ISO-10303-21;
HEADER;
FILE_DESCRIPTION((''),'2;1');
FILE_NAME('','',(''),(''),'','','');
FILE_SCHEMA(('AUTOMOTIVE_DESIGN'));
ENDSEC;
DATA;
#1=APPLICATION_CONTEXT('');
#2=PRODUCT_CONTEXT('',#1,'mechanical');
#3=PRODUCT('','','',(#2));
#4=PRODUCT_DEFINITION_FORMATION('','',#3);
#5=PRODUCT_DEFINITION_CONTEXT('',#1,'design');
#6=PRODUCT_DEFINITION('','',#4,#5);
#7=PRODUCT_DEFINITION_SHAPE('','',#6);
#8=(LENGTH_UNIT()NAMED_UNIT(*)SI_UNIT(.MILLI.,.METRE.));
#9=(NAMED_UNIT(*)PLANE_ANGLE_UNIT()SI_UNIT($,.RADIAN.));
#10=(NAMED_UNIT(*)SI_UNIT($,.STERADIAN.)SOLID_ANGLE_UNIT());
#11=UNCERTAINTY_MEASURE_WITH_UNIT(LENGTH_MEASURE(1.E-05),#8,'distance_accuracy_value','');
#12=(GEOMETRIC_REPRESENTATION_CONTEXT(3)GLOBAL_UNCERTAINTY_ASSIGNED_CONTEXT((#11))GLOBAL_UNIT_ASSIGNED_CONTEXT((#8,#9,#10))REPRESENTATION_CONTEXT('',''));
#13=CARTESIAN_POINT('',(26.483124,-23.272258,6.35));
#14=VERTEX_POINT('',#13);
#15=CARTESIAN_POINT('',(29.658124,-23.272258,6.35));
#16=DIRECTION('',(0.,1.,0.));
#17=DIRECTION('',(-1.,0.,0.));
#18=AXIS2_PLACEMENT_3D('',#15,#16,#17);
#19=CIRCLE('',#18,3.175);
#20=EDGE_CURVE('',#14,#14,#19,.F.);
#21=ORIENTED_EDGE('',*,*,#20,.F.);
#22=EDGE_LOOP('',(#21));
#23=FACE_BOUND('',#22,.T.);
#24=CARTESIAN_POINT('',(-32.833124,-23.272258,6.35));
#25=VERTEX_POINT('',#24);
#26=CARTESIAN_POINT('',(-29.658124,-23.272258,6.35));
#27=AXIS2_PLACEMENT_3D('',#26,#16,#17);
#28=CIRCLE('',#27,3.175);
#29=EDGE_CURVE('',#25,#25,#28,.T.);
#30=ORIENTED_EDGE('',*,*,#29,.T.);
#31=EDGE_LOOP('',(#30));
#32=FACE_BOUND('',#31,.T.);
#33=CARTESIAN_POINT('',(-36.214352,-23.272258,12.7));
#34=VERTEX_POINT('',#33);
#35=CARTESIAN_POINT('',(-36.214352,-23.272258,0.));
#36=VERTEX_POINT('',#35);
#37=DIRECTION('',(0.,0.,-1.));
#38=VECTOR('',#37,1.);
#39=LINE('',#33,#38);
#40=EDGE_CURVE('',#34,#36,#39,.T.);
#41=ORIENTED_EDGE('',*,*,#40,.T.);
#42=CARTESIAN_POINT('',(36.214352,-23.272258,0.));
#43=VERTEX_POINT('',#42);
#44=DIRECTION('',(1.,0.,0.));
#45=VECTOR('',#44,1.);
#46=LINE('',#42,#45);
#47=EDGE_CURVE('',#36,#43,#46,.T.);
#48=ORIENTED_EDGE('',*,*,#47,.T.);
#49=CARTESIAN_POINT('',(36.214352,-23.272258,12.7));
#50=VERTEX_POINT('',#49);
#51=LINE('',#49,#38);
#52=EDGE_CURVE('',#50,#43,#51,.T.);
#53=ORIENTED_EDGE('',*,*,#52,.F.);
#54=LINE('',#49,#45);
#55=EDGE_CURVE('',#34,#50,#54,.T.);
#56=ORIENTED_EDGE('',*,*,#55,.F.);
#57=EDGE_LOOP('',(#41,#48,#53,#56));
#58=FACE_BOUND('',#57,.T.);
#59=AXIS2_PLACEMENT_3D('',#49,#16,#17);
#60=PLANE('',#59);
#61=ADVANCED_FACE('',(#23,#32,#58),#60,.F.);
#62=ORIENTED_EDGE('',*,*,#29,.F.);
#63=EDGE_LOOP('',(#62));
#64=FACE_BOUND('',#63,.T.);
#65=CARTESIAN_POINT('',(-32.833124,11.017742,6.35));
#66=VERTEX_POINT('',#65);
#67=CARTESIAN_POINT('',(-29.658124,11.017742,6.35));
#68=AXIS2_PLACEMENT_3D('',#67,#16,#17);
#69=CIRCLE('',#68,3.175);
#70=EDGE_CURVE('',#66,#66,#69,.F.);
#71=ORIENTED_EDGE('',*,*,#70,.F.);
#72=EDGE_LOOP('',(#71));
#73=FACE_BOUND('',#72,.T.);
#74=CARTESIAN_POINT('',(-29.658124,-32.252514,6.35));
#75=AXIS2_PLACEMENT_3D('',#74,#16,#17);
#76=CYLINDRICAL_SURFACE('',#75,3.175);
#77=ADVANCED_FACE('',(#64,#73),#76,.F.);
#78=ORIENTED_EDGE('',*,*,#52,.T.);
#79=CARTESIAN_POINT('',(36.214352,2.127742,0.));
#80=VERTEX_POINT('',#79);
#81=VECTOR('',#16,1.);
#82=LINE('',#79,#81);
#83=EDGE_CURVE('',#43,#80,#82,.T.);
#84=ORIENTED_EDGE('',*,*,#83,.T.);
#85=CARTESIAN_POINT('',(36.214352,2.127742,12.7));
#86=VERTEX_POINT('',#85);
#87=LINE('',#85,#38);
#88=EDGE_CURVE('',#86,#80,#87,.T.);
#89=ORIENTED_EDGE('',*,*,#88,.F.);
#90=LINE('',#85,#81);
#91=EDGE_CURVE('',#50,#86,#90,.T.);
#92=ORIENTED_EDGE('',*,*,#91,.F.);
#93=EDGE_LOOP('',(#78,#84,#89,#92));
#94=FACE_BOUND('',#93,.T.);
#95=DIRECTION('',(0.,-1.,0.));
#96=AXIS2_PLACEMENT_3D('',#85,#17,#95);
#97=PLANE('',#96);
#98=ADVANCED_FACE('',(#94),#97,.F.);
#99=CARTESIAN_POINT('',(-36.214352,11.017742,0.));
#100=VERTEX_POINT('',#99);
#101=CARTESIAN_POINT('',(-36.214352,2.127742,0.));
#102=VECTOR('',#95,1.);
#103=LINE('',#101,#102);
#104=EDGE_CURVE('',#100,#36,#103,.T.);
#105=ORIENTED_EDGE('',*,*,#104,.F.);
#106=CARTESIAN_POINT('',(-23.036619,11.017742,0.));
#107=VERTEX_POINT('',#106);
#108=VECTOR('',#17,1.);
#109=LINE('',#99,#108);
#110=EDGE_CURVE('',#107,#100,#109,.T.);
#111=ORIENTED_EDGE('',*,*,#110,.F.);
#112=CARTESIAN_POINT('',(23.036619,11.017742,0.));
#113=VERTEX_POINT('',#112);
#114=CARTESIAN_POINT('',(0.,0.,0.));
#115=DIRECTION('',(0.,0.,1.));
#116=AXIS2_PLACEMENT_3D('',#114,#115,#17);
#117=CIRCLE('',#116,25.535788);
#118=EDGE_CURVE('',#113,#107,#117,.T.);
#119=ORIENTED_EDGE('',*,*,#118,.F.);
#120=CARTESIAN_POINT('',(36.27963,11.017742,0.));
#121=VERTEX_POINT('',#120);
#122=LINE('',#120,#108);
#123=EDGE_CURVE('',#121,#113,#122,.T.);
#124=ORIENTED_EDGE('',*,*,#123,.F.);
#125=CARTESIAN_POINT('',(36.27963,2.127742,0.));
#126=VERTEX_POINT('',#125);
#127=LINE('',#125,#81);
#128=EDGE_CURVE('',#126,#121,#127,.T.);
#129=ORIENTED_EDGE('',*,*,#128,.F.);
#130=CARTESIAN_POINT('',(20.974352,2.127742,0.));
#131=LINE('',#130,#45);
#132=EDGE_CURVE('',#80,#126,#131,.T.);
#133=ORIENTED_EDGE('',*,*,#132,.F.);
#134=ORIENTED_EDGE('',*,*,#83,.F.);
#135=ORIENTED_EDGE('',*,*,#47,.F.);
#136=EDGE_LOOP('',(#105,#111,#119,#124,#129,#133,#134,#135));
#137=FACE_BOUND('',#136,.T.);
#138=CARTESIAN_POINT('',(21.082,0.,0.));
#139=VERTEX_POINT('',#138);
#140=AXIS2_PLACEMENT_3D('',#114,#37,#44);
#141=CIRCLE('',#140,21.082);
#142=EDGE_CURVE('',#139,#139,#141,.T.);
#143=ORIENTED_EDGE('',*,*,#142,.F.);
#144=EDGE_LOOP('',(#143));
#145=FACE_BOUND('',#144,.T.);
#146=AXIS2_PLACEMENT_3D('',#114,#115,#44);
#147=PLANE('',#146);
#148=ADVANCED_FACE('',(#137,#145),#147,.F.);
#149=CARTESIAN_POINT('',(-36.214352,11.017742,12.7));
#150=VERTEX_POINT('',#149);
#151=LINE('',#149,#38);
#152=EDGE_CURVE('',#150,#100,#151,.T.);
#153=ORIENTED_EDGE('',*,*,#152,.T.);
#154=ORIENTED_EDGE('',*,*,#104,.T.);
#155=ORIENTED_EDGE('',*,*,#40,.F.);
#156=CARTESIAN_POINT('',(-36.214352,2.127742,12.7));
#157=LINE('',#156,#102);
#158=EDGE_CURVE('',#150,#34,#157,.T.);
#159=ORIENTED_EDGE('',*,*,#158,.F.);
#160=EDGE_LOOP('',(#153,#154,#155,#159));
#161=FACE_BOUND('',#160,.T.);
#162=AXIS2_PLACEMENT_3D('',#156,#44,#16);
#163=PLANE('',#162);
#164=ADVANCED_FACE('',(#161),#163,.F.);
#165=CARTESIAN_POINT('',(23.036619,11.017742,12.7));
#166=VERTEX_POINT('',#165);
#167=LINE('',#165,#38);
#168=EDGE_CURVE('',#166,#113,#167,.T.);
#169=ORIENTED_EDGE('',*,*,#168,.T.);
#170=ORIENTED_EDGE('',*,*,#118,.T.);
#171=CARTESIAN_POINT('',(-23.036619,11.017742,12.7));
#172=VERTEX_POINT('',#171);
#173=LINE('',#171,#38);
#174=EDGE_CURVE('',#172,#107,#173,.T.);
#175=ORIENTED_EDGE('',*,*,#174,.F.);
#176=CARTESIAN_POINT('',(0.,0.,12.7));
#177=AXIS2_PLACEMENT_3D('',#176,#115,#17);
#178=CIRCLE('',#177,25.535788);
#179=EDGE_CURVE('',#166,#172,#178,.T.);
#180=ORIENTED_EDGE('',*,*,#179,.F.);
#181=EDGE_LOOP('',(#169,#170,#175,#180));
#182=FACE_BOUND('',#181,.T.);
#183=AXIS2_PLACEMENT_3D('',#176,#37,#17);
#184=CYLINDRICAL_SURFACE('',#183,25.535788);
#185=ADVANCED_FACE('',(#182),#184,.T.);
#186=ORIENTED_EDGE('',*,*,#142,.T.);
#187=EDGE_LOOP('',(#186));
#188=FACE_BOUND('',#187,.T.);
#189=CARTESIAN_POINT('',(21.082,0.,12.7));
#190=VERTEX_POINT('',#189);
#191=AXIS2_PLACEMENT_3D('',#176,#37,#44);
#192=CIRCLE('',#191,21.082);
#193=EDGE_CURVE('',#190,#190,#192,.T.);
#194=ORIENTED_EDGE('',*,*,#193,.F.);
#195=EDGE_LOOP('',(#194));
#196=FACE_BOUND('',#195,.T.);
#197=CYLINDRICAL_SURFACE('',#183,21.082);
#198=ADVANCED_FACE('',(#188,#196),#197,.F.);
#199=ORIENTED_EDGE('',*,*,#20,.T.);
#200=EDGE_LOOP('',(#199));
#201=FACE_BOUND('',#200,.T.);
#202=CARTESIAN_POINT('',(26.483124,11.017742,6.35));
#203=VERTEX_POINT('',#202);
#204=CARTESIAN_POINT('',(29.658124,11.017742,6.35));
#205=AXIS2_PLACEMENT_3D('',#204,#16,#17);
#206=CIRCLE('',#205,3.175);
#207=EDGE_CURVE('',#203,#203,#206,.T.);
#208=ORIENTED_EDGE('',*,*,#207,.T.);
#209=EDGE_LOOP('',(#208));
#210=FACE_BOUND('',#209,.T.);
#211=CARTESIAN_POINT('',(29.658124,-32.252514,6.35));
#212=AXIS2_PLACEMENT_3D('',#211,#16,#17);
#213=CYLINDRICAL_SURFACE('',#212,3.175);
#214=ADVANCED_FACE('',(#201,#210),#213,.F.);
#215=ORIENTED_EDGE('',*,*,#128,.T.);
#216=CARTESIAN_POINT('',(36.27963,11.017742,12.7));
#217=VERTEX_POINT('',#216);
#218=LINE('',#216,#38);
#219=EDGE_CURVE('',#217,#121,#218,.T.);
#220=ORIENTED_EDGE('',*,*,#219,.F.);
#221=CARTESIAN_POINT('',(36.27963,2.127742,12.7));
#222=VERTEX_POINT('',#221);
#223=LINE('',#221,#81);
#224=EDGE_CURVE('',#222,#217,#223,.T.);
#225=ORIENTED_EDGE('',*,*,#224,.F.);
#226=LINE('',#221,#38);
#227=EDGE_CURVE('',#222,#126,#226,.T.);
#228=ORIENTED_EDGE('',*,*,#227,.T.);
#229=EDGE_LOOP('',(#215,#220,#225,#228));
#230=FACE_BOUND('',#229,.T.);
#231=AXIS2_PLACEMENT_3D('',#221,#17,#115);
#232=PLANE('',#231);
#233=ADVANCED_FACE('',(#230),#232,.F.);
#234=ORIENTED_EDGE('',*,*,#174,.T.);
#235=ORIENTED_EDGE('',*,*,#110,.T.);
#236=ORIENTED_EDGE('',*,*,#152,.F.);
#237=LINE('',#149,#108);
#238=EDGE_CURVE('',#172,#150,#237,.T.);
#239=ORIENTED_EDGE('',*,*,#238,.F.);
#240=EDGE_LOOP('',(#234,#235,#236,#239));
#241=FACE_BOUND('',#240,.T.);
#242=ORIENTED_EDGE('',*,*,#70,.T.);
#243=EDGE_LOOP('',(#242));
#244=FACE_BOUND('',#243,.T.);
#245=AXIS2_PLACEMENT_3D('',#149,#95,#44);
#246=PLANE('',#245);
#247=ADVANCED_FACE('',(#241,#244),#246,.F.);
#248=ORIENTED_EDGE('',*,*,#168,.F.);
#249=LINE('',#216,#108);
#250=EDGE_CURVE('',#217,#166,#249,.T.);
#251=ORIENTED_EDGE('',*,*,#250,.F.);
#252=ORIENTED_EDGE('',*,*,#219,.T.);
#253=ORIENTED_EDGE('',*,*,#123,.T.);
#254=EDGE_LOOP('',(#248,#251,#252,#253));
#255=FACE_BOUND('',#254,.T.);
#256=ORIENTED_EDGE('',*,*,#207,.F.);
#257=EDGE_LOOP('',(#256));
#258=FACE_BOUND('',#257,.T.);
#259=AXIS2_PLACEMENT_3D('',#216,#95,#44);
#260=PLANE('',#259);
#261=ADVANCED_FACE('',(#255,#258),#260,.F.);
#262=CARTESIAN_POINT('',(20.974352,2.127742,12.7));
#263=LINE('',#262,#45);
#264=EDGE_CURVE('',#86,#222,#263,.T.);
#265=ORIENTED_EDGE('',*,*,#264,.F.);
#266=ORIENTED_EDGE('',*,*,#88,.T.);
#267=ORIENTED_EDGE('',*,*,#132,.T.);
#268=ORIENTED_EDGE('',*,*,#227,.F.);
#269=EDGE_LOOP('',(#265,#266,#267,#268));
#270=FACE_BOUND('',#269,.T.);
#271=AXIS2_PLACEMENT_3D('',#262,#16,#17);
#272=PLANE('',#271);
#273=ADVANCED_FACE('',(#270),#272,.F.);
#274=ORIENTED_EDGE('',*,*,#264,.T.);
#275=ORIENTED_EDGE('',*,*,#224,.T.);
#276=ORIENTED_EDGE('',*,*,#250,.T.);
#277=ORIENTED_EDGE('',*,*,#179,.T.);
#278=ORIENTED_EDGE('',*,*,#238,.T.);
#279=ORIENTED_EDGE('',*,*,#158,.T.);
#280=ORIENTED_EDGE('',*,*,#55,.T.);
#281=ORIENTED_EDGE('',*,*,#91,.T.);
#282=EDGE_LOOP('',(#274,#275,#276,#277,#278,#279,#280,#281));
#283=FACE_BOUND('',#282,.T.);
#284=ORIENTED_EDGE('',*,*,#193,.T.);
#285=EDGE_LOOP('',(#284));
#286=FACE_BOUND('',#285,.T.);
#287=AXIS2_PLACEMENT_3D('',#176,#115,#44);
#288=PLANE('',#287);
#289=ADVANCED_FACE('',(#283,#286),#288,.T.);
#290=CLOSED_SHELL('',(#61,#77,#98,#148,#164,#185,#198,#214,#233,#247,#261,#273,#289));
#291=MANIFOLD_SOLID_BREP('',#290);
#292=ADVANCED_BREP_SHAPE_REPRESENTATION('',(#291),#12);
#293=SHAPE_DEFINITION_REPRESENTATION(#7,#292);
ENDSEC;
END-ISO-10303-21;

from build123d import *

# Parameters (mm, degrees)
BOSS_EXTRUDE1_DEPTH = 12.7
BOSS_EXTRUDE2_DEPTH = 12.7
SKETCH18_R          = 3.175
CUT_EXTRUDE1_DEPTH  = 34.29


with BuildPart() as part:
    # Sketch1 → Boss-Extrude1 (new body)
    with BuildSketch(Plane.XY):
        with BuildLine():
            Line((36.21435187, 2.127742376), (36.21435187, -23.272257624))
            Line((36.21435187, -23.272257624), (-36.21435187, -23.272257624))
            Line((-36.21435187, -23.272257624), (-36.21435187, 2.127742376))
            Line((-36.21435187, 2.127742376), (-20.97435187, 2.127742376))
            ThreePointArc((-20.97435187, 2.127742376), (0, -21.082), (20.97435187, 2.127742376))
            Line((20.97435187, 2.127742376), (36.21435187, 2.127742376))
        make_face()
    extrude(amount=BOSS_EXTRUDE1_DEPTH)

    # Sketch3 → Boss-Extrude2 (add)
    with BuildSketch(Plane.XY):
        with BuildLine():
            Line((-20.97435187, 2.127742376), (-36.21435187, 2.127742376))
            Line((-36.21435187, 2.127742376), (-36.21435187, 11.017742376))
            Line((-36.21435187, 11.017742376), (-23.036618604, 11.017742376))
            ThreePointArc((-23.036618604, 11.017742376), (0, 25.535787511), (23.036618604, 11.017742376))
            Line((23.036618604, 11.017742376), (36.279630177, 11.017742376))
            Line((36.279630177, 11.017742376), (36.279630177, 2.127742376))
            Line((36.279630177, 2.127742376), (20.97435187, 2.127742376))
            ThreePointArc((20.97435187, 2.127742376), (0, 21.082), (-20.97435187, 2.127742376))
        make_face()
    extrude(amount=BOSS_EXTRUDE2_DEPTH)

    # Sketch18 → Cut-Extrude1 (cut)
    with BuildSketch(Plane(origin=(0, 11.017742376, 0), x_dir=(1, 0, 0), z_dir=(0, 1, 0))):
        with Locations(Location((-29.658124391, -6.35, 0), (0, 0, 180))):
            Circle(SKETCH18_R)
        with Locations(Location((29.658124391, -6.35, 0), (0, 0, 180))):
            Circle(SKETCH18_R)
    extrude(amount=-CUT_EXTRUDE1_DEPTH, mode=Mode.SUBTRACT)


solid = part.part
